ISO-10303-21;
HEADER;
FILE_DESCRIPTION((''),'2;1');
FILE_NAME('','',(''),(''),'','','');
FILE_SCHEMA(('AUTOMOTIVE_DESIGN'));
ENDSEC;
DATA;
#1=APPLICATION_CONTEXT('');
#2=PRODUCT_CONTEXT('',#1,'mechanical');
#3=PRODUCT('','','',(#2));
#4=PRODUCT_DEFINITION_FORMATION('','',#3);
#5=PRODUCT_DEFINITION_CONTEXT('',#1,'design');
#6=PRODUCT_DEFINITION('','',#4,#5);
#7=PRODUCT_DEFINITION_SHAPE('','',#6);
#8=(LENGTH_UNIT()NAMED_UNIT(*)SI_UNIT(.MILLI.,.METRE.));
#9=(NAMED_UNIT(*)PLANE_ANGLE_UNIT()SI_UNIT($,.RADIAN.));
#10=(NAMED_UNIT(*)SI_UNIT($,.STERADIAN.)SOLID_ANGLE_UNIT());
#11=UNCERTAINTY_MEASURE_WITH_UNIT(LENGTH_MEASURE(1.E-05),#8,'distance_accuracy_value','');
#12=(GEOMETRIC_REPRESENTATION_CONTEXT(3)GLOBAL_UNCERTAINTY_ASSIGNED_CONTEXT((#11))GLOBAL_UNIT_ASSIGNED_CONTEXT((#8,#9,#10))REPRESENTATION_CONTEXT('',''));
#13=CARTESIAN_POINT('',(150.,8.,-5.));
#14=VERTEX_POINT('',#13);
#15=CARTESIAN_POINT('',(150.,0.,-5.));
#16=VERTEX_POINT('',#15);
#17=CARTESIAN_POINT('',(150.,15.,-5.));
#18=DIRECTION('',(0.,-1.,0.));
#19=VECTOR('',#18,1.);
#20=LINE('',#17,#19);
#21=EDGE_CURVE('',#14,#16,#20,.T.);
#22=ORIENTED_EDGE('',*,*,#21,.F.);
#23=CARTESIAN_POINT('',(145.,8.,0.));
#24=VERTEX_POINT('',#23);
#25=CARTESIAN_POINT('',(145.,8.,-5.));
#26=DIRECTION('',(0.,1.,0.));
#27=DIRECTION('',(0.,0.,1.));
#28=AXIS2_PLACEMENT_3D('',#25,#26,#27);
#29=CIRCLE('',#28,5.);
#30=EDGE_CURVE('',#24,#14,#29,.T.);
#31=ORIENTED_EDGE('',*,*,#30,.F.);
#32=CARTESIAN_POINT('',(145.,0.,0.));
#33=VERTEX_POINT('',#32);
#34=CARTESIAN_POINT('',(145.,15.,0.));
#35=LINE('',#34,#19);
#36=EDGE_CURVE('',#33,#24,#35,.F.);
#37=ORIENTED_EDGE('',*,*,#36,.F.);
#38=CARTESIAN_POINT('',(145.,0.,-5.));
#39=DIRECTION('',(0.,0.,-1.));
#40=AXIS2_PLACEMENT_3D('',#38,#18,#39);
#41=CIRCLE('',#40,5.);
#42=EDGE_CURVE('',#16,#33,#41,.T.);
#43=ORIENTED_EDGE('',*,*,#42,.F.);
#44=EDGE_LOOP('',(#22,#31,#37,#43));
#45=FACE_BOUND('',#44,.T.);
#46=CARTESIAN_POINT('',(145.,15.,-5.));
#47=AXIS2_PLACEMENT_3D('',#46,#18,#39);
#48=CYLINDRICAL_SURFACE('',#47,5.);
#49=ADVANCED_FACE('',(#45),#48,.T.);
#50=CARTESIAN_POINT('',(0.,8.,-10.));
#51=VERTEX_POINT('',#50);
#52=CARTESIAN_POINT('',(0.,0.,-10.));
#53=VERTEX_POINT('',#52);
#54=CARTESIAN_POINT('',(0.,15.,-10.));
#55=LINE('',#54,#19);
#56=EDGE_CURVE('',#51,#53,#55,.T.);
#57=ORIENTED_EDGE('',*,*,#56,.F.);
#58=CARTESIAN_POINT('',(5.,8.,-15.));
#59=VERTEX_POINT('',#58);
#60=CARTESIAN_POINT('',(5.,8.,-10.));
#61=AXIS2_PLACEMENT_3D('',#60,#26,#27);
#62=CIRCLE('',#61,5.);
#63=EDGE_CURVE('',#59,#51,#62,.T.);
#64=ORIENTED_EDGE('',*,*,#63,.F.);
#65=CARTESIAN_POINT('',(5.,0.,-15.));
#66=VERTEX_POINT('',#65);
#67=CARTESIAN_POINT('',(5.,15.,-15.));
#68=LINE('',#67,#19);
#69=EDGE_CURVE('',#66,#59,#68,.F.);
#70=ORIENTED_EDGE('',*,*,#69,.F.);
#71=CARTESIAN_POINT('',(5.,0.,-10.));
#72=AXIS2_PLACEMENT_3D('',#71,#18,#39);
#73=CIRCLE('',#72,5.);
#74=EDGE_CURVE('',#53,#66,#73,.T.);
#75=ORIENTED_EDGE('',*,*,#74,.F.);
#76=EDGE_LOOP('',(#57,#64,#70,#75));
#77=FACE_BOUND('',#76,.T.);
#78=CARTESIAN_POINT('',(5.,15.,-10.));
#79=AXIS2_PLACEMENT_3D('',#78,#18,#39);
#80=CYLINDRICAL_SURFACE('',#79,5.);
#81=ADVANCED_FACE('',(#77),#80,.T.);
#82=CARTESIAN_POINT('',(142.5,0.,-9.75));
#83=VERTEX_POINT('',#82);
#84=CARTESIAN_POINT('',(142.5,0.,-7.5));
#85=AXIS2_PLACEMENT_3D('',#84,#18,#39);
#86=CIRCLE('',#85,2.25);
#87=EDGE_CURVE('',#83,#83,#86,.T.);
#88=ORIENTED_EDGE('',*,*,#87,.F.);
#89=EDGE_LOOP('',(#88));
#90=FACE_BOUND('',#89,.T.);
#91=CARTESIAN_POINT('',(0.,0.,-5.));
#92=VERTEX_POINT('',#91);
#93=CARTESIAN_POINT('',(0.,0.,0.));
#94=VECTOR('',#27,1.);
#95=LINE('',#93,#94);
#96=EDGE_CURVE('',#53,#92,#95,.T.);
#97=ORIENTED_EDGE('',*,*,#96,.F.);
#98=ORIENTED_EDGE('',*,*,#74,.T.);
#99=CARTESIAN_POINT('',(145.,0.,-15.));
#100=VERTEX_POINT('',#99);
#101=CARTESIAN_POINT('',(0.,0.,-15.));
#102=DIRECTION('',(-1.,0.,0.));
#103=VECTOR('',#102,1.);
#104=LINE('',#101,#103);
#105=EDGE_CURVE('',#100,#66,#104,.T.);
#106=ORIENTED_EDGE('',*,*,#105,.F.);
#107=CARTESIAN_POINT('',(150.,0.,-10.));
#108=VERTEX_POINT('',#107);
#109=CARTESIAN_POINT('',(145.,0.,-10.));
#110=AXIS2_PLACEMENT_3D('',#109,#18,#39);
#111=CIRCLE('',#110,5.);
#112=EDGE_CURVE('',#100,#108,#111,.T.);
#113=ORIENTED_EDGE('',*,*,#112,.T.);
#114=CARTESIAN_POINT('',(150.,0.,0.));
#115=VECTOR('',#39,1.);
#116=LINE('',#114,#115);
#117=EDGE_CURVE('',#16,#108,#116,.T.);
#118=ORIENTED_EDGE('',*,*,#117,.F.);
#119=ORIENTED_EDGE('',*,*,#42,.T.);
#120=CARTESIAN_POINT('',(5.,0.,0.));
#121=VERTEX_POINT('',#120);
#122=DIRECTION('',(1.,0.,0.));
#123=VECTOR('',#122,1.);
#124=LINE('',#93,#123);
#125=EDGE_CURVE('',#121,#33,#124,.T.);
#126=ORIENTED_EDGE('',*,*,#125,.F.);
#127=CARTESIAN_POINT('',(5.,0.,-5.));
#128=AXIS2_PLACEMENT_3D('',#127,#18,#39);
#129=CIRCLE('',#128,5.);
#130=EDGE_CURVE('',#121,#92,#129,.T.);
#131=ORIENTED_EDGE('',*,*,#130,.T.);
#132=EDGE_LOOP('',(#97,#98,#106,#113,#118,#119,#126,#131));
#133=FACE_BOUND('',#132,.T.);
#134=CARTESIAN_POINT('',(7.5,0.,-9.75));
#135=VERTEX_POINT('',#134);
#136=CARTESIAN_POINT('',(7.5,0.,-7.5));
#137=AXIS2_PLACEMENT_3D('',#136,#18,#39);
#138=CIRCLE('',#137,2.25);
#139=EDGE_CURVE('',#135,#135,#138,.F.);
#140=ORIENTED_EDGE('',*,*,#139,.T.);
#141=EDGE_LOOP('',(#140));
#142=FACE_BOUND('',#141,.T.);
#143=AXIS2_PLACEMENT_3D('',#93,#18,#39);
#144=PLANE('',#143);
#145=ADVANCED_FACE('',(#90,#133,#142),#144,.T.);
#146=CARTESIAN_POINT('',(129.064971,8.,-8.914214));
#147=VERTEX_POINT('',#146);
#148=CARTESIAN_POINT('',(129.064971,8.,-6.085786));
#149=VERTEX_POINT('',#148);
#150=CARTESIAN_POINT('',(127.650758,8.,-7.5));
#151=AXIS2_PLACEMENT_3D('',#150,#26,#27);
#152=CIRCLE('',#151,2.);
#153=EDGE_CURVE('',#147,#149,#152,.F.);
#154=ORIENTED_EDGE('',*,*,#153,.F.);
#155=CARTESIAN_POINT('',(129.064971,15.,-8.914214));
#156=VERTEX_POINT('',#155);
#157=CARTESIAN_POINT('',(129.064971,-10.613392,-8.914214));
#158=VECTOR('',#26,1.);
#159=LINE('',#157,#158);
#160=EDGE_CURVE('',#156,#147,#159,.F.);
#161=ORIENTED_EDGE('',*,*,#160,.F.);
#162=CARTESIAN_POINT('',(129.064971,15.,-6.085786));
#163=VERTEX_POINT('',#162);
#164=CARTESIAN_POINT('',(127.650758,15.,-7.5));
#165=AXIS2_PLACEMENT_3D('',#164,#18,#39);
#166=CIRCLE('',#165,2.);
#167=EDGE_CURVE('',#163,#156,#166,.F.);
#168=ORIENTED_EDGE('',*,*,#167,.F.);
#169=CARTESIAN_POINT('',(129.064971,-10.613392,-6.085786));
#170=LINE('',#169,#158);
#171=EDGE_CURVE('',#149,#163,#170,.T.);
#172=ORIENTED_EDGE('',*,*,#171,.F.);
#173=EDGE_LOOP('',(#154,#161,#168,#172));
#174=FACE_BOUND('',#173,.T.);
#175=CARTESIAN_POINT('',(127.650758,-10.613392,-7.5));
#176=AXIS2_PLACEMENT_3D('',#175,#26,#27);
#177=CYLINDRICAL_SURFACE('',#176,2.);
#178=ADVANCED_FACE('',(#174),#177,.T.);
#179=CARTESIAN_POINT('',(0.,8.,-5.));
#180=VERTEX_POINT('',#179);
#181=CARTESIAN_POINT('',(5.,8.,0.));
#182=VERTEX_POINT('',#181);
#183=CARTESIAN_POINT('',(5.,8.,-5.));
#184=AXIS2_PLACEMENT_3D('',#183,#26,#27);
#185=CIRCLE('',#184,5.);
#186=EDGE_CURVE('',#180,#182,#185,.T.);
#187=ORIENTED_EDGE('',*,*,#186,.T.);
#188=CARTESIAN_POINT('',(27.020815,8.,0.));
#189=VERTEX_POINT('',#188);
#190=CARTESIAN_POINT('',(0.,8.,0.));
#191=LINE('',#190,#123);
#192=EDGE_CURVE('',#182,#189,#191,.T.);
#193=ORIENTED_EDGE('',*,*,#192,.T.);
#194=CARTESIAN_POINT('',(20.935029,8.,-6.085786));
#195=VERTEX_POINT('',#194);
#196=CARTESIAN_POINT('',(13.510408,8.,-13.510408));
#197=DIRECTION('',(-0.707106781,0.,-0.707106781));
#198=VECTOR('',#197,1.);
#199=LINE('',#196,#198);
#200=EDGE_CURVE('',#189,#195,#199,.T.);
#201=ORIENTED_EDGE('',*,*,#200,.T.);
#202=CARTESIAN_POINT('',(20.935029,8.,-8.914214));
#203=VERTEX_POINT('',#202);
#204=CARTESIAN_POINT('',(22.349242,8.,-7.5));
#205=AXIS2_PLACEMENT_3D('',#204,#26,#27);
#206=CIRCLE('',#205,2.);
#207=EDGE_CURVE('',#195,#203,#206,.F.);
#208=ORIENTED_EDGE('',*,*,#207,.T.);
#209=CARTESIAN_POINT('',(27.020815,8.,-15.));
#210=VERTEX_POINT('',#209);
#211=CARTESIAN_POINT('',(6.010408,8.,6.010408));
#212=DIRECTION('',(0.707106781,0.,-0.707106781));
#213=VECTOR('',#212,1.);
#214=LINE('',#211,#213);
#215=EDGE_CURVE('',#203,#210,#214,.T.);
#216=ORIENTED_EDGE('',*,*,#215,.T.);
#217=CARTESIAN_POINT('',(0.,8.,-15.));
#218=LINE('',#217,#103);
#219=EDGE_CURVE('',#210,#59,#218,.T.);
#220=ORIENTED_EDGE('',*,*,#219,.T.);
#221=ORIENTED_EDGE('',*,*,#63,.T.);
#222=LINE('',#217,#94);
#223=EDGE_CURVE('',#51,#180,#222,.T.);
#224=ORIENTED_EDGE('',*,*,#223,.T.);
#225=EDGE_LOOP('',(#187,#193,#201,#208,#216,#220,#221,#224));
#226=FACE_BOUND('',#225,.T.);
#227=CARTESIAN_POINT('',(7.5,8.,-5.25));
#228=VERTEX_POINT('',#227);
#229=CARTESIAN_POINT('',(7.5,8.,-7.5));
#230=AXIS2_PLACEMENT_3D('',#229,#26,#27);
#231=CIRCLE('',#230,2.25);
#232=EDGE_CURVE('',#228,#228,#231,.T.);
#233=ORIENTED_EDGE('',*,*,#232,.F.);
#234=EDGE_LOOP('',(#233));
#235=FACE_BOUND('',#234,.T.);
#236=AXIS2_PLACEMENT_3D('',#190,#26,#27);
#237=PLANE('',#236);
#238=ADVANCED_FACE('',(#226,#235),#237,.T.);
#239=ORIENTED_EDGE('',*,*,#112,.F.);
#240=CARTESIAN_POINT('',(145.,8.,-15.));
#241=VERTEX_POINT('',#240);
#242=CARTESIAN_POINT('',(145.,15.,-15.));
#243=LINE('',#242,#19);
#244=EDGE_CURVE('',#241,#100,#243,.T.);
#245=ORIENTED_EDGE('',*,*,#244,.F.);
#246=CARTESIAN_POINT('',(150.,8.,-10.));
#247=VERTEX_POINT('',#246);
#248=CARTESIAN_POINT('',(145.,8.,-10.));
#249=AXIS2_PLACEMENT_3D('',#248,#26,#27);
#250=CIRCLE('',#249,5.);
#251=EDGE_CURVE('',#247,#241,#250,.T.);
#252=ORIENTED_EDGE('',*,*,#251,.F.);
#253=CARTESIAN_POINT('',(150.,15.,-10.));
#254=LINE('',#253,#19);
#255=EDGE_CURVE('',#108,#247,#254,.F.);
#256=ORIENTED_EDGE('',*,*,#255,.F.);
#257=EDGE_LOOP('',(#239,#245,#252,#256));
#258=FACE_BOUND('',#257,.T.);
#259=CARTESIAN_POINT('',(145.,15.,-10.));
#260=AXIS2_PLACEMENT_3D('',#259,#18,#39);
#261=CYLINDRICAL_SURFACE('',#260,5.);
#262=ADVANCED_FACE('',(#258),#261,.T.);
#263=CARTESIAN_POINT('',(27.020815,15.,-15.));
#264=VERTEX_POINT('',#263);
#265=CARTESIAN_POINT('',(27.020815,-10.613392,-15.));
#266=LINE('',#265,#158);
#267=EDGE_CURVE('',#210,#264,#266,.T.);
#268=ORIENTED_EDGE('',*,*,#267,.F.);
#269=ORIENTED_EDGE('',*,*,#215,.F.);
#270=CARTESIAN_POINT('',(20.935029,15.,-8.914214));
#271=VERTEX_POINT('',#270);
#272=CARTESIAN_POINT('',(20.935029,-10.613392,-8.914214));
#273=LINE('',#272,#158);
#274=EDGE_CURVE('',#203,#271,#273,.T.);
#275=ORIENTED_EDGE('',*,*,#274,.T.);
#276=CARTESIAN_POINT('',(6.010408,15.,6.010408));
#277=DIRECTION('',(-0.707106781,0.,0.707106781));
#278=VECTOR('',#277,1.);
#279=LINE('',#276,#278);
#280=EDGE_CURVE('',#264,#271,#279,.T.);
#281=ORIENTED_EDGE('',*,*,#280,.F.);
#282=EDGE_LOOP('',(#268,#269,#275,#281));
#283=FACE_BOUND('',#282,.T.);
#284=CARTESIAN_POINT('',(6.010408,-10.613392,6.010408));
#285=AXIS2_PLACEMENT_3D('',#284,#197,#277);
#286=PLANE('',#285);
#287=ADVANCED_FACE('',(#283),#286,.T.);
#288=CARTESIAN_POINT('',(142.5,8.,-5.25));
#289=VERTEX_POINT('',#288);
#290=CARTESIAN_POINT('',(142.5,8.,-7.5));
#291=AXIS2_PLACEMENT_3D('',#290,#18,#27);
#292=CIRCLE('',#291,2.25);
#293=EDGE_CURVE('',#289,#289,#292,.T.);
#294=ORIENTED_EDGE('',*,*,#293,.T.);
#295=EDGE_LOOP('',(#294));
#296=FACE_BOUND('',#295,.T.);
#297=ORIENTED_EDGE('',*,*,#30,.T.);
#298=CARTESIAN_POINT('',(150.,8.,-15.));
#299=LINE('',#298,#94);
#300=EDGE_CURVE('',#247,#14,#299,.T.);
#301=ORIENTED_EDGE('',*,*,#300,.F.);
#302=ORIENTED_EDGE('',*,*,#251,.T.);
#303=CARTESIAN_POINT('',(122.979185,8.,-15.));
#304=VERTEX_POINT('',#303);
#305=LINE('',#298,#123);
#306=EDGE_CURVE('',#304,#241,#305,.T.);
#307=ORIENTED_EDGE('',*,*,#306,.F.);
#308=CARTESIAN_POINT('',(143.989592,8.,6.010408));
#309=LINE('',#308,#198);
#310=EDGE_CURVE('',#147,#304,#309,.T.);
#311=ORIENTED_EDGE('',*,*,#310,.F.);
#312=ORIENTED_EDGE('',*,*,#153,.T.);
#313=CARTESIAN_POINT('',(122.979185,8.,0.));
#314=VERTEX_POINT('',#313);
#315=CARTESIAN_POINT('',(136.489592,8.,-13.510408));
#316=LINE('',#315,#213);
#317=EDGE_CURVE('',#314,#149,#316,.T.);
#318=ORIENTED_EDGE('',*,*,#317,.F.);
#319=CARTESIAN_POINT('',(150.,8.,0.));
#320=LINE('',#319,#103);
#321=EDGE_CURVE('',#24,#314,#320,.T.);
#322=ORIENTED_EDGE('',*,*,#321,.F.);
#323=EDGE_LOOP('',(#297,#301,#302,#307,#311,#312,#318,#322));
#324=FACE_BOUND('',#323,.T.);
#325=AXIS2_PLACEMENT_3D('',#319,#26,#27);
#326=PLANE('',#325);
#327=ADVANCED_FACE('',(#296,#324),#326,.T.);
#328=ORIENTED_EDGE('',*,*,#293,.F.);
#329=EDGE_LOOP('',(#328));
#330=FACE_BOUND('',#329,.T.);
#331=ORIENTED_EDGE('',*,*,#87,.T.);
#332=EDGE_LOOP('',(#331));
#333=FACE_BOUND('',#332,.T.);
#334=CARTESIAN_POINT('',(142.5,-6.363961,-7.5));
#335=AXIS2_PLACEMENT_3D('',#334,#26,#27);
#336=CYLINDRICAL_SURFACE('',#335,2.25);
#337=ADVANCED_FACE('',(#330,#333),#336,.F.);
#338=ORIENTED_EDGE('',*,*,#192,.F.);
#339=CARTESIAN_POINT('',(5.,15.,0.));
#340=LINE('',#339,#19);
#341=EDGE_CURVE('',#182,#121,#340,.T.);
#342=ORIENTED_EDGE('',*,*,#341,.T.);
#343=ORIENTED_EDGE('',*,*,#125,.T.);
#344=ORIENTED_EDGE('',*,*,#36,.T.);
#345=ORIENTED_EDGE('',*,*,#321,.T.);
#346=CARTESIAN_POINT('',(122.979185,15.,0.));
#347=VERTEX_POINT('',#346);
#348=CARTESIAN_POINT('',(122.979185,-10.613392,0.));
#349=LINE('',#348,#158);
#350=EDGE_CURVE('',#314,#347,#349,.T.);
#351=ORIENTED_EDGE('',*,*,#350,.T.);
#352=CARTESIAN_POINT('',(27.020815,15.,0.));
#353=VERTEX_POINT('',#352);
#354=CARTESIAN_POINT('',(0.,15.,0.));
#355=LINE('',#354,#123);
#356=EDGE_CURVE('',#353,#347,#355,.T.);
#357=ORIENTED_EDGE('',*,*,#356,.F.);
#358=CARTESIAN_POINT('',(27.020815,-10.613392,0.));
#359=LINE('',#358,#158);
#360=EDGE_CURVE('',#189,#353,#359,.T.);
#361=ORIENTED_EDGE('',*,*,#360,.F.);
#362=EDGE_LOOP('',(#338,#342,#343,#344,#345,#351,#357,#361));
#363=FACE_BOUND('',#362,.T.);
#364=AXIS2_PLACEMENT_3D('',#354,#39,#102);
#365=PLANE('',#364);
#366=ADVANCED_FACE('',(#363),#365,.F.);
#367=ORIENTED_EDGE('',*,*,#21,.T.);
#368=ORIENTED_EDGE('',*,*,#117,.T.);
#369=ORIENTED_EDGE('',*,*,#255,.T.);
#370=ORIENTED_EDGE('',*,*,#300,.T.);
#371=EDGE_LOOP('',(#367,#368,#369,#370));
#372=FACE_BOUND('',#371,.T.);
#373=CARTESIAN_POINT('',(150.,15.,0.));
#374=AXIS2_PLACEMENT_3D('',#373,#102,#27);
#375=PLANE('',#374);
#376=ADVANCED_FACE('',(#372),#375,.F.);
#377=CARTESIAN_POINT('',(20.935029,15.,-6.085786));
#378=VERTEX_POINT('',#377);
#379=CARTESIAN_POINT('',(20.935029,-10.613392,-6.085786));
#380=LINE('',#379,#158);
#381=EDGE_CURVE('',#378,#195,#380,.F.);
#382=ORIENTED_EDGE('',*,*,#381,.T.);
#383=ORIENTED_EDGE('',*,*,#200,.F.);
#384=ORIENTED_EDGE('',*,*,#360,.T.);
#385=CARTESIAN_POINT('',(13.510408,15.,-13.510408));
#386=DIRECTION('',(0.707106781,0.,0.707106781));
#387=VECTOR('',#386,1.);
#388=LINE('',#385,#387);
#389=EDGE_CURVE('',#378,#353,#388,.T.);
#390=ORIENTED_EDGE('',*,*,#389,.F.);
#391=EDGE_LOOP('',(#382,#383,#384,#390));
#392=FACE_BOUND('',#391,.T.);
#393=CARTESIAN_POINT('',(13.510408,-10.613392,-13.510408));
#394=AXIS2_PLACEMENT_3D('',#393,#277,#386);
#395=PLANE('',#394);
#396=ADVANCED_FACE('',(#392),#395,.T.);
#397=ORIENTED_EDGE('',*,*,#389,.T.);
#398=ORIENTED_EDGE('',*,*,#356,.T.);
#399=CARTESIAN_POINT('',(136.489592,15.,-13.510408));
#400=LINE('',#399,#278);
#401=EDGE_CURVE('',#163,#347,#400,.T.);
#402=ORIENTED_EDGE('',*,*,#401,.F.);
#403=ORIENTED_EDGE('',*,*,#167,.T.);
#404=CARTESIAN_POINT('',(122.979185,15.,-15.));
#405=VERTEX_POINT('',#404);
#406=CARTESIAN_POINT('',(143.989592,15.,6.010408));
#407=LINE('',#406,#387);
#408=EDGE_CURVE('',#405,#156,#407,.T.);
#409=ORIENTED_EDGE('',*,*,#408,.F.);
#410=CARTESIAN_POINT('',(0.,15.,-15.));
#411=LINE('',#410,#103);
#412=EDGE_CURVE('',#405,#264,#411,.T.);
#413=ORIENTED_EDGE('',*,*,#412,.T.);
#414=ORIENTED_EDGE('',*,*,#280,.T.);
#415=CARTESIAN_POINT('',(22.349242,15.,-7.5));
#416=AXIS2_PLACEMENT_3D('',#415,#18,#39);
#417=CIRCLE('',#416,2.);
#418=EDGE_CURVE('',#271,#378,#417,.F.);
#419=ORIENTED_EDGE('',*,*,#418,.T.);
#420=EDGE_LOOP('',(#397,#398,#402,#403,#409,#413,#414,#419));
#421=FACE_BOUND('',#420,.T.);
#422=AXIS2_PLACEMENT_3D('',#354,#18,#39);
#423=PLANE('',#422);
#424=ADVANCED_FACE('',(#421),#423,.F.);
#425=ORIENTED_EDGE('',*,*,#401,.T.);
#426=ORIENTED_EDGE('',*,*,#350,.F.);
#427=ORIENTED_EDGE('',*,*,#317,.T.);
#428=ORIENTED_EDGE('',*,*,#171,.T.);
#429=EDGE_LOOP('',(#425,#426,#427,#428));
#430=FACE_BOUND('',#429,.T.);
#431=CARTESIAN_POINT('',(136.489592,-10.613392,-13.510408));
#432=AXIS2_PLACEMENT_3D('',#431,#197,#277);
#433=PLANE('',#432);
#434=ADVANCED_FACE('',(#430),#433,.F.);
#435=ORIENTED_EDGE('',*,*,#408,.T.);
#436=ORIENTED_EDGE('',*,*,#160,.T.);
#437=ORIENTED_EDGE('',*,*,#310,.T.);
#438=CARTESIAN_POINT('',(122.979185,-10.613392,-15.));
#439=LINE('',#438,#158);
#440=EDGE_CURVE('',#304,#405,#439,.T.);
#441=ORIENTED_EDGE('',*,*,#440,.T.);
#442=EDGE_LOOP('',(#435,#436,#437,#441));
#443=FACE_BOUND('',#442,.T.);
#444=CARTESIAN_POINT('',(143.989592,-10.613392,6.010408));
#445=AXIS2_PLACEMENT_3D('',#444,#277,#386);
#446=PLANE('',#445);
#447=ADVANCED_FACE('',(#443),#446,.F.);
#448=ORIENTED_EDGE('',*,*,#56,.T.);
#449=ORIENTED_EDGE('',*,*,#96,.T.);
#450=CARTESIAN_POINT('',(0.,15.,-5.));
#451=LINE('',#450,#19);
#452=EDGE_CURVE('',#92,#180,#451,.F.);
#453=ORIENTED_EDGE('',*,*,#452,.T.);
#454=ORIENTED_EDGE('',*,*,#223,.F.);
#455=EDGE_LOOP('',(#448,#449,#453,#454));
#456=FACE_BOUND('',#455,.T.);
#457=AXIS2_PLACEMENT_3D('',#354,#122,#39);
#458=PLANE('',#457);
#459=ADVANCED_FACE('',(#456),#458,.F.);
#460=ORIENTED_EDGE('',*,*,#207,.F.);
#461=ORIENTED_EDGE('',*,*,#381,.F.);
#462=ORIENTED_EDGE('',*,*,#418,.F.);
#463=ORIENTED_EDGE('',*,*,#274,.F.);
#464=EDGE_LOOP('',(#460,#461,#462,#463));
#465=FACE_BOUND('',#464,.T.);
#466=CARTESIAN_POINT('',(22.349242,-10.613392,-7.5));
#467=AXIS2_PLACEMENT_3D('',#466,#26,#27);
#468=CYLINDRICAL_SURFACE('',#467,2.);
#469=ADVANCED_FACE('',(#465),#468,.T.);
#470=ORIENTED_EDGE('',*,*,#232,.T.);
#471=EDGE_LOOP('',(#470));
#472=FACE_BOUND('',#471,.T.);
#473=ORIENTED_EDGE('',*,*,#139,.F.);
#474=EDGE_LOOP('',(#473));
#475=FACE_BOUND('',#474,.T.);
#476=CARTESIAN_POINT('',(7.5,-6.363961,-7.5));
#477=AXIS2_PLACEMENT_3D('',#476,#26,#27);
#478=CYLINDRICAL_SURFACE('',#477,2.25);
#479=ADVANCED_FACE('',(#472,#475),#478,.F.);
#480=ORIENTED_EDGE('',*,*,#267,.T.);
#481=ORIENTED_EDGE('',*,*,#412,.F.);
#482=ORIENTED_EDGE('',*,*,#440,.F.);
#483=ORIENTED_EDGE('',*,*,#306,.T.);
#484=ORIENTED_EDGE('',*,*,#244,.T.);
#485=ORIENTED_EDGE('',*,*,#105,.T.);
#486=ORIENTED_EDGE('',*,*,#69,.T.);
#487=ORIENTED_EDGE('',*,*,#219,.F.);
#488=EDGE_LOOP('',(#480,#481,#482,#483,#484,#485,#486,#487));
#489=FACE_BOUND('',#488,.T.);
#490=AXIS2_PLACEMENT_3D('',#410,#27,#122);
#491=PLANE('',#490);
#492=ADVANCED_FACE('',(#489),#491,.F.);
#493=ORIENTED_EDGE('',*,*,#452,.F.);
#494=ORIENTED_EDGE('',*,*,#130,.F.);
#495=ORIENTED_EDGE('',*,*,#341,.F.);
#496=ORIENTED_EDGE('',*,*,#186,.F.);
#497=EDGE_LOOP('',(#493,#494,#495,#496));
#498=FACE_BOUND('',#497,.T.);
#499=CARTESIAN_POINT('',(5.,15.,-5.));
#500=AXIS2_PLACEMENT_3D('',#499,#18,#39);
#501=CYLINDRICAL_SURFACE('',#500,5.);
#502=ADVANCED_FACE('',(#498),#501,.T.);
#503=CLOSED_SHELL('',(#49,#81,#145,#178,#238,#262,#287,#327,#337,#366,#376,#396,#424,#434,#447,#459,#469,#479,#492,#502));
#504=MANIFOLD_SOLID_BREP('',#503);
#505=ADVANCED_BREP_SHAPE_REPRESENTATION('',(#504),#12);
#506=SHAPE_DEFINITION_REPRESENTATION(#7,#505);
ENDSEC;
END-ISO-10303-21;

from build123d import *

# Parameters (mm, degrees)
SKETCH1_W            = 150
SKETCH1_H            = 15
BOSS_EXTRUDE1_DEPTH  = 15
SKETCH2_W            = 16
SKETCH2_H            = 15
CUT_EXTRUDE1_DEPTH   = 7
SKETCH3_R            = 2.25
CUT_EXTRUDE2_DEPTH   = 8
FILLET1_R            = 5
CUT_EXTRUDE3_DEPTH   = 7
FILLET2_R            = 2
FILLET2_OF_MIRROR2_R = 2


with BuildPart() as part:
    # Sketch1 → Boss-Extrude1 (new body)
    with BuildSketch(Plane(origin=(0, 0, 0), x_dir=(1, 0, 0), z_dir=(0, 1, 0))):
        with Locations((75, 7.5)):
            Rectangle(SKETCH1_W, SKETCH1_H)
    extrude(amount=BOSS_EXTRUDE1_DEPTH)

    # Sketch2 → Cut-Extrude1 (cut)
    with BuildSketch(Plane(origin=(0, 15, 0), x_dir=(1, 0, 0), z_dir=(0, 1, 0))):
        with Locations((8, 7.5)):
            Rectangle(SKETCH2_W, SKETCH2_H)
    cut_extrude1 = extrude(amount=-CUT_EXTRUDE1_DEPTH, mode=Mode.SUBTRACT)

    # Sketch3 → Cut-Extrude2 (cut)
    with BuildSketch(Plane(origin=(0, 8, 0), x_dir=(1, 0, 0), z_dir=(0, 1, 0))):
        with Locations((7.5, 7.5)):
            Circle(SKETCH3_R)
    cut_extrude2 = extrude(amount=-CUT_EXTRUDE2_DEPTH, mode=Mode.SUBTRACT)

    # Mirror1: Cut-Extrude1, Cut-Extrude2 across plane
    add(cut_extrude1.mirror(Plane(origin=(75, 0, 0), x_dir=(0, 0, 1), z_dir=(1, 0, 0))), mode=Mode.SUBTRACT)
    add(cut_extrude2.mirror(Plane(origin=(75, 0, 0), x_dir=(0, 0, 1), z_dir=(1, 0, 0))), mode=Mode.SUBTRACT)

    # Fillet1
    fillet1_edges = [part.edges().sort_by_distance(p)[0] for p in [
        (0, 4, -15),
        (0, 4, 0),
        (150, 4, -15),
        (150, 4, 0),
    ]]
    fillet(fillet1_edges, radius=FILLET1_R)

    # Sketch4 → Cut-Extrude3 (cut)
    with BuildSketch(Plane(origin=(0, 15, 0), x_dir=(1, 0, 0), z_dir=(0, 1, 0))):
        Polygon((19.52081528, 7.5), (16, 11.02081528), (16, 0), (27.02081528, 0), align=None)
        Polygon((16, 15), (16, 11.02081528), (19.52081528, 7.5), (27.02081528, 15), align=None)
    cut_extrude3 = extrude(amount=-CUT_EXTRUDE3_DEPTH, mode=Mode.SUBTRACT)

    # Fillet2
    fillet2_edges = [part.edges().sort_by_distance(p)[0] for p in [
        (19.52081528, 11.5, -7.5),
    ]]
    fillet(fillet2_edges, radius=FILLET2_R)

    # Mirror2: Cut-Extrude3 across plane
    add(cut_extrude3.mirror(Plane(origin=(75, 0, 0), x_dir=(0, 0, 1), z_dir=(1, 0, 0))), mode=Mode.SUBTRACT)

    # Fillet2 of Mirror2
    fillet2_of_mirror2_edges = [part.edges().sort_by_distance(p)[0] for p in [
        (130.47918472, 11.5, -7.5),
    ]]
    fillet(fillet2_of_mirror2_edges, radius=FILLET2_OF_MIRROR2_R)


solid = part.part
